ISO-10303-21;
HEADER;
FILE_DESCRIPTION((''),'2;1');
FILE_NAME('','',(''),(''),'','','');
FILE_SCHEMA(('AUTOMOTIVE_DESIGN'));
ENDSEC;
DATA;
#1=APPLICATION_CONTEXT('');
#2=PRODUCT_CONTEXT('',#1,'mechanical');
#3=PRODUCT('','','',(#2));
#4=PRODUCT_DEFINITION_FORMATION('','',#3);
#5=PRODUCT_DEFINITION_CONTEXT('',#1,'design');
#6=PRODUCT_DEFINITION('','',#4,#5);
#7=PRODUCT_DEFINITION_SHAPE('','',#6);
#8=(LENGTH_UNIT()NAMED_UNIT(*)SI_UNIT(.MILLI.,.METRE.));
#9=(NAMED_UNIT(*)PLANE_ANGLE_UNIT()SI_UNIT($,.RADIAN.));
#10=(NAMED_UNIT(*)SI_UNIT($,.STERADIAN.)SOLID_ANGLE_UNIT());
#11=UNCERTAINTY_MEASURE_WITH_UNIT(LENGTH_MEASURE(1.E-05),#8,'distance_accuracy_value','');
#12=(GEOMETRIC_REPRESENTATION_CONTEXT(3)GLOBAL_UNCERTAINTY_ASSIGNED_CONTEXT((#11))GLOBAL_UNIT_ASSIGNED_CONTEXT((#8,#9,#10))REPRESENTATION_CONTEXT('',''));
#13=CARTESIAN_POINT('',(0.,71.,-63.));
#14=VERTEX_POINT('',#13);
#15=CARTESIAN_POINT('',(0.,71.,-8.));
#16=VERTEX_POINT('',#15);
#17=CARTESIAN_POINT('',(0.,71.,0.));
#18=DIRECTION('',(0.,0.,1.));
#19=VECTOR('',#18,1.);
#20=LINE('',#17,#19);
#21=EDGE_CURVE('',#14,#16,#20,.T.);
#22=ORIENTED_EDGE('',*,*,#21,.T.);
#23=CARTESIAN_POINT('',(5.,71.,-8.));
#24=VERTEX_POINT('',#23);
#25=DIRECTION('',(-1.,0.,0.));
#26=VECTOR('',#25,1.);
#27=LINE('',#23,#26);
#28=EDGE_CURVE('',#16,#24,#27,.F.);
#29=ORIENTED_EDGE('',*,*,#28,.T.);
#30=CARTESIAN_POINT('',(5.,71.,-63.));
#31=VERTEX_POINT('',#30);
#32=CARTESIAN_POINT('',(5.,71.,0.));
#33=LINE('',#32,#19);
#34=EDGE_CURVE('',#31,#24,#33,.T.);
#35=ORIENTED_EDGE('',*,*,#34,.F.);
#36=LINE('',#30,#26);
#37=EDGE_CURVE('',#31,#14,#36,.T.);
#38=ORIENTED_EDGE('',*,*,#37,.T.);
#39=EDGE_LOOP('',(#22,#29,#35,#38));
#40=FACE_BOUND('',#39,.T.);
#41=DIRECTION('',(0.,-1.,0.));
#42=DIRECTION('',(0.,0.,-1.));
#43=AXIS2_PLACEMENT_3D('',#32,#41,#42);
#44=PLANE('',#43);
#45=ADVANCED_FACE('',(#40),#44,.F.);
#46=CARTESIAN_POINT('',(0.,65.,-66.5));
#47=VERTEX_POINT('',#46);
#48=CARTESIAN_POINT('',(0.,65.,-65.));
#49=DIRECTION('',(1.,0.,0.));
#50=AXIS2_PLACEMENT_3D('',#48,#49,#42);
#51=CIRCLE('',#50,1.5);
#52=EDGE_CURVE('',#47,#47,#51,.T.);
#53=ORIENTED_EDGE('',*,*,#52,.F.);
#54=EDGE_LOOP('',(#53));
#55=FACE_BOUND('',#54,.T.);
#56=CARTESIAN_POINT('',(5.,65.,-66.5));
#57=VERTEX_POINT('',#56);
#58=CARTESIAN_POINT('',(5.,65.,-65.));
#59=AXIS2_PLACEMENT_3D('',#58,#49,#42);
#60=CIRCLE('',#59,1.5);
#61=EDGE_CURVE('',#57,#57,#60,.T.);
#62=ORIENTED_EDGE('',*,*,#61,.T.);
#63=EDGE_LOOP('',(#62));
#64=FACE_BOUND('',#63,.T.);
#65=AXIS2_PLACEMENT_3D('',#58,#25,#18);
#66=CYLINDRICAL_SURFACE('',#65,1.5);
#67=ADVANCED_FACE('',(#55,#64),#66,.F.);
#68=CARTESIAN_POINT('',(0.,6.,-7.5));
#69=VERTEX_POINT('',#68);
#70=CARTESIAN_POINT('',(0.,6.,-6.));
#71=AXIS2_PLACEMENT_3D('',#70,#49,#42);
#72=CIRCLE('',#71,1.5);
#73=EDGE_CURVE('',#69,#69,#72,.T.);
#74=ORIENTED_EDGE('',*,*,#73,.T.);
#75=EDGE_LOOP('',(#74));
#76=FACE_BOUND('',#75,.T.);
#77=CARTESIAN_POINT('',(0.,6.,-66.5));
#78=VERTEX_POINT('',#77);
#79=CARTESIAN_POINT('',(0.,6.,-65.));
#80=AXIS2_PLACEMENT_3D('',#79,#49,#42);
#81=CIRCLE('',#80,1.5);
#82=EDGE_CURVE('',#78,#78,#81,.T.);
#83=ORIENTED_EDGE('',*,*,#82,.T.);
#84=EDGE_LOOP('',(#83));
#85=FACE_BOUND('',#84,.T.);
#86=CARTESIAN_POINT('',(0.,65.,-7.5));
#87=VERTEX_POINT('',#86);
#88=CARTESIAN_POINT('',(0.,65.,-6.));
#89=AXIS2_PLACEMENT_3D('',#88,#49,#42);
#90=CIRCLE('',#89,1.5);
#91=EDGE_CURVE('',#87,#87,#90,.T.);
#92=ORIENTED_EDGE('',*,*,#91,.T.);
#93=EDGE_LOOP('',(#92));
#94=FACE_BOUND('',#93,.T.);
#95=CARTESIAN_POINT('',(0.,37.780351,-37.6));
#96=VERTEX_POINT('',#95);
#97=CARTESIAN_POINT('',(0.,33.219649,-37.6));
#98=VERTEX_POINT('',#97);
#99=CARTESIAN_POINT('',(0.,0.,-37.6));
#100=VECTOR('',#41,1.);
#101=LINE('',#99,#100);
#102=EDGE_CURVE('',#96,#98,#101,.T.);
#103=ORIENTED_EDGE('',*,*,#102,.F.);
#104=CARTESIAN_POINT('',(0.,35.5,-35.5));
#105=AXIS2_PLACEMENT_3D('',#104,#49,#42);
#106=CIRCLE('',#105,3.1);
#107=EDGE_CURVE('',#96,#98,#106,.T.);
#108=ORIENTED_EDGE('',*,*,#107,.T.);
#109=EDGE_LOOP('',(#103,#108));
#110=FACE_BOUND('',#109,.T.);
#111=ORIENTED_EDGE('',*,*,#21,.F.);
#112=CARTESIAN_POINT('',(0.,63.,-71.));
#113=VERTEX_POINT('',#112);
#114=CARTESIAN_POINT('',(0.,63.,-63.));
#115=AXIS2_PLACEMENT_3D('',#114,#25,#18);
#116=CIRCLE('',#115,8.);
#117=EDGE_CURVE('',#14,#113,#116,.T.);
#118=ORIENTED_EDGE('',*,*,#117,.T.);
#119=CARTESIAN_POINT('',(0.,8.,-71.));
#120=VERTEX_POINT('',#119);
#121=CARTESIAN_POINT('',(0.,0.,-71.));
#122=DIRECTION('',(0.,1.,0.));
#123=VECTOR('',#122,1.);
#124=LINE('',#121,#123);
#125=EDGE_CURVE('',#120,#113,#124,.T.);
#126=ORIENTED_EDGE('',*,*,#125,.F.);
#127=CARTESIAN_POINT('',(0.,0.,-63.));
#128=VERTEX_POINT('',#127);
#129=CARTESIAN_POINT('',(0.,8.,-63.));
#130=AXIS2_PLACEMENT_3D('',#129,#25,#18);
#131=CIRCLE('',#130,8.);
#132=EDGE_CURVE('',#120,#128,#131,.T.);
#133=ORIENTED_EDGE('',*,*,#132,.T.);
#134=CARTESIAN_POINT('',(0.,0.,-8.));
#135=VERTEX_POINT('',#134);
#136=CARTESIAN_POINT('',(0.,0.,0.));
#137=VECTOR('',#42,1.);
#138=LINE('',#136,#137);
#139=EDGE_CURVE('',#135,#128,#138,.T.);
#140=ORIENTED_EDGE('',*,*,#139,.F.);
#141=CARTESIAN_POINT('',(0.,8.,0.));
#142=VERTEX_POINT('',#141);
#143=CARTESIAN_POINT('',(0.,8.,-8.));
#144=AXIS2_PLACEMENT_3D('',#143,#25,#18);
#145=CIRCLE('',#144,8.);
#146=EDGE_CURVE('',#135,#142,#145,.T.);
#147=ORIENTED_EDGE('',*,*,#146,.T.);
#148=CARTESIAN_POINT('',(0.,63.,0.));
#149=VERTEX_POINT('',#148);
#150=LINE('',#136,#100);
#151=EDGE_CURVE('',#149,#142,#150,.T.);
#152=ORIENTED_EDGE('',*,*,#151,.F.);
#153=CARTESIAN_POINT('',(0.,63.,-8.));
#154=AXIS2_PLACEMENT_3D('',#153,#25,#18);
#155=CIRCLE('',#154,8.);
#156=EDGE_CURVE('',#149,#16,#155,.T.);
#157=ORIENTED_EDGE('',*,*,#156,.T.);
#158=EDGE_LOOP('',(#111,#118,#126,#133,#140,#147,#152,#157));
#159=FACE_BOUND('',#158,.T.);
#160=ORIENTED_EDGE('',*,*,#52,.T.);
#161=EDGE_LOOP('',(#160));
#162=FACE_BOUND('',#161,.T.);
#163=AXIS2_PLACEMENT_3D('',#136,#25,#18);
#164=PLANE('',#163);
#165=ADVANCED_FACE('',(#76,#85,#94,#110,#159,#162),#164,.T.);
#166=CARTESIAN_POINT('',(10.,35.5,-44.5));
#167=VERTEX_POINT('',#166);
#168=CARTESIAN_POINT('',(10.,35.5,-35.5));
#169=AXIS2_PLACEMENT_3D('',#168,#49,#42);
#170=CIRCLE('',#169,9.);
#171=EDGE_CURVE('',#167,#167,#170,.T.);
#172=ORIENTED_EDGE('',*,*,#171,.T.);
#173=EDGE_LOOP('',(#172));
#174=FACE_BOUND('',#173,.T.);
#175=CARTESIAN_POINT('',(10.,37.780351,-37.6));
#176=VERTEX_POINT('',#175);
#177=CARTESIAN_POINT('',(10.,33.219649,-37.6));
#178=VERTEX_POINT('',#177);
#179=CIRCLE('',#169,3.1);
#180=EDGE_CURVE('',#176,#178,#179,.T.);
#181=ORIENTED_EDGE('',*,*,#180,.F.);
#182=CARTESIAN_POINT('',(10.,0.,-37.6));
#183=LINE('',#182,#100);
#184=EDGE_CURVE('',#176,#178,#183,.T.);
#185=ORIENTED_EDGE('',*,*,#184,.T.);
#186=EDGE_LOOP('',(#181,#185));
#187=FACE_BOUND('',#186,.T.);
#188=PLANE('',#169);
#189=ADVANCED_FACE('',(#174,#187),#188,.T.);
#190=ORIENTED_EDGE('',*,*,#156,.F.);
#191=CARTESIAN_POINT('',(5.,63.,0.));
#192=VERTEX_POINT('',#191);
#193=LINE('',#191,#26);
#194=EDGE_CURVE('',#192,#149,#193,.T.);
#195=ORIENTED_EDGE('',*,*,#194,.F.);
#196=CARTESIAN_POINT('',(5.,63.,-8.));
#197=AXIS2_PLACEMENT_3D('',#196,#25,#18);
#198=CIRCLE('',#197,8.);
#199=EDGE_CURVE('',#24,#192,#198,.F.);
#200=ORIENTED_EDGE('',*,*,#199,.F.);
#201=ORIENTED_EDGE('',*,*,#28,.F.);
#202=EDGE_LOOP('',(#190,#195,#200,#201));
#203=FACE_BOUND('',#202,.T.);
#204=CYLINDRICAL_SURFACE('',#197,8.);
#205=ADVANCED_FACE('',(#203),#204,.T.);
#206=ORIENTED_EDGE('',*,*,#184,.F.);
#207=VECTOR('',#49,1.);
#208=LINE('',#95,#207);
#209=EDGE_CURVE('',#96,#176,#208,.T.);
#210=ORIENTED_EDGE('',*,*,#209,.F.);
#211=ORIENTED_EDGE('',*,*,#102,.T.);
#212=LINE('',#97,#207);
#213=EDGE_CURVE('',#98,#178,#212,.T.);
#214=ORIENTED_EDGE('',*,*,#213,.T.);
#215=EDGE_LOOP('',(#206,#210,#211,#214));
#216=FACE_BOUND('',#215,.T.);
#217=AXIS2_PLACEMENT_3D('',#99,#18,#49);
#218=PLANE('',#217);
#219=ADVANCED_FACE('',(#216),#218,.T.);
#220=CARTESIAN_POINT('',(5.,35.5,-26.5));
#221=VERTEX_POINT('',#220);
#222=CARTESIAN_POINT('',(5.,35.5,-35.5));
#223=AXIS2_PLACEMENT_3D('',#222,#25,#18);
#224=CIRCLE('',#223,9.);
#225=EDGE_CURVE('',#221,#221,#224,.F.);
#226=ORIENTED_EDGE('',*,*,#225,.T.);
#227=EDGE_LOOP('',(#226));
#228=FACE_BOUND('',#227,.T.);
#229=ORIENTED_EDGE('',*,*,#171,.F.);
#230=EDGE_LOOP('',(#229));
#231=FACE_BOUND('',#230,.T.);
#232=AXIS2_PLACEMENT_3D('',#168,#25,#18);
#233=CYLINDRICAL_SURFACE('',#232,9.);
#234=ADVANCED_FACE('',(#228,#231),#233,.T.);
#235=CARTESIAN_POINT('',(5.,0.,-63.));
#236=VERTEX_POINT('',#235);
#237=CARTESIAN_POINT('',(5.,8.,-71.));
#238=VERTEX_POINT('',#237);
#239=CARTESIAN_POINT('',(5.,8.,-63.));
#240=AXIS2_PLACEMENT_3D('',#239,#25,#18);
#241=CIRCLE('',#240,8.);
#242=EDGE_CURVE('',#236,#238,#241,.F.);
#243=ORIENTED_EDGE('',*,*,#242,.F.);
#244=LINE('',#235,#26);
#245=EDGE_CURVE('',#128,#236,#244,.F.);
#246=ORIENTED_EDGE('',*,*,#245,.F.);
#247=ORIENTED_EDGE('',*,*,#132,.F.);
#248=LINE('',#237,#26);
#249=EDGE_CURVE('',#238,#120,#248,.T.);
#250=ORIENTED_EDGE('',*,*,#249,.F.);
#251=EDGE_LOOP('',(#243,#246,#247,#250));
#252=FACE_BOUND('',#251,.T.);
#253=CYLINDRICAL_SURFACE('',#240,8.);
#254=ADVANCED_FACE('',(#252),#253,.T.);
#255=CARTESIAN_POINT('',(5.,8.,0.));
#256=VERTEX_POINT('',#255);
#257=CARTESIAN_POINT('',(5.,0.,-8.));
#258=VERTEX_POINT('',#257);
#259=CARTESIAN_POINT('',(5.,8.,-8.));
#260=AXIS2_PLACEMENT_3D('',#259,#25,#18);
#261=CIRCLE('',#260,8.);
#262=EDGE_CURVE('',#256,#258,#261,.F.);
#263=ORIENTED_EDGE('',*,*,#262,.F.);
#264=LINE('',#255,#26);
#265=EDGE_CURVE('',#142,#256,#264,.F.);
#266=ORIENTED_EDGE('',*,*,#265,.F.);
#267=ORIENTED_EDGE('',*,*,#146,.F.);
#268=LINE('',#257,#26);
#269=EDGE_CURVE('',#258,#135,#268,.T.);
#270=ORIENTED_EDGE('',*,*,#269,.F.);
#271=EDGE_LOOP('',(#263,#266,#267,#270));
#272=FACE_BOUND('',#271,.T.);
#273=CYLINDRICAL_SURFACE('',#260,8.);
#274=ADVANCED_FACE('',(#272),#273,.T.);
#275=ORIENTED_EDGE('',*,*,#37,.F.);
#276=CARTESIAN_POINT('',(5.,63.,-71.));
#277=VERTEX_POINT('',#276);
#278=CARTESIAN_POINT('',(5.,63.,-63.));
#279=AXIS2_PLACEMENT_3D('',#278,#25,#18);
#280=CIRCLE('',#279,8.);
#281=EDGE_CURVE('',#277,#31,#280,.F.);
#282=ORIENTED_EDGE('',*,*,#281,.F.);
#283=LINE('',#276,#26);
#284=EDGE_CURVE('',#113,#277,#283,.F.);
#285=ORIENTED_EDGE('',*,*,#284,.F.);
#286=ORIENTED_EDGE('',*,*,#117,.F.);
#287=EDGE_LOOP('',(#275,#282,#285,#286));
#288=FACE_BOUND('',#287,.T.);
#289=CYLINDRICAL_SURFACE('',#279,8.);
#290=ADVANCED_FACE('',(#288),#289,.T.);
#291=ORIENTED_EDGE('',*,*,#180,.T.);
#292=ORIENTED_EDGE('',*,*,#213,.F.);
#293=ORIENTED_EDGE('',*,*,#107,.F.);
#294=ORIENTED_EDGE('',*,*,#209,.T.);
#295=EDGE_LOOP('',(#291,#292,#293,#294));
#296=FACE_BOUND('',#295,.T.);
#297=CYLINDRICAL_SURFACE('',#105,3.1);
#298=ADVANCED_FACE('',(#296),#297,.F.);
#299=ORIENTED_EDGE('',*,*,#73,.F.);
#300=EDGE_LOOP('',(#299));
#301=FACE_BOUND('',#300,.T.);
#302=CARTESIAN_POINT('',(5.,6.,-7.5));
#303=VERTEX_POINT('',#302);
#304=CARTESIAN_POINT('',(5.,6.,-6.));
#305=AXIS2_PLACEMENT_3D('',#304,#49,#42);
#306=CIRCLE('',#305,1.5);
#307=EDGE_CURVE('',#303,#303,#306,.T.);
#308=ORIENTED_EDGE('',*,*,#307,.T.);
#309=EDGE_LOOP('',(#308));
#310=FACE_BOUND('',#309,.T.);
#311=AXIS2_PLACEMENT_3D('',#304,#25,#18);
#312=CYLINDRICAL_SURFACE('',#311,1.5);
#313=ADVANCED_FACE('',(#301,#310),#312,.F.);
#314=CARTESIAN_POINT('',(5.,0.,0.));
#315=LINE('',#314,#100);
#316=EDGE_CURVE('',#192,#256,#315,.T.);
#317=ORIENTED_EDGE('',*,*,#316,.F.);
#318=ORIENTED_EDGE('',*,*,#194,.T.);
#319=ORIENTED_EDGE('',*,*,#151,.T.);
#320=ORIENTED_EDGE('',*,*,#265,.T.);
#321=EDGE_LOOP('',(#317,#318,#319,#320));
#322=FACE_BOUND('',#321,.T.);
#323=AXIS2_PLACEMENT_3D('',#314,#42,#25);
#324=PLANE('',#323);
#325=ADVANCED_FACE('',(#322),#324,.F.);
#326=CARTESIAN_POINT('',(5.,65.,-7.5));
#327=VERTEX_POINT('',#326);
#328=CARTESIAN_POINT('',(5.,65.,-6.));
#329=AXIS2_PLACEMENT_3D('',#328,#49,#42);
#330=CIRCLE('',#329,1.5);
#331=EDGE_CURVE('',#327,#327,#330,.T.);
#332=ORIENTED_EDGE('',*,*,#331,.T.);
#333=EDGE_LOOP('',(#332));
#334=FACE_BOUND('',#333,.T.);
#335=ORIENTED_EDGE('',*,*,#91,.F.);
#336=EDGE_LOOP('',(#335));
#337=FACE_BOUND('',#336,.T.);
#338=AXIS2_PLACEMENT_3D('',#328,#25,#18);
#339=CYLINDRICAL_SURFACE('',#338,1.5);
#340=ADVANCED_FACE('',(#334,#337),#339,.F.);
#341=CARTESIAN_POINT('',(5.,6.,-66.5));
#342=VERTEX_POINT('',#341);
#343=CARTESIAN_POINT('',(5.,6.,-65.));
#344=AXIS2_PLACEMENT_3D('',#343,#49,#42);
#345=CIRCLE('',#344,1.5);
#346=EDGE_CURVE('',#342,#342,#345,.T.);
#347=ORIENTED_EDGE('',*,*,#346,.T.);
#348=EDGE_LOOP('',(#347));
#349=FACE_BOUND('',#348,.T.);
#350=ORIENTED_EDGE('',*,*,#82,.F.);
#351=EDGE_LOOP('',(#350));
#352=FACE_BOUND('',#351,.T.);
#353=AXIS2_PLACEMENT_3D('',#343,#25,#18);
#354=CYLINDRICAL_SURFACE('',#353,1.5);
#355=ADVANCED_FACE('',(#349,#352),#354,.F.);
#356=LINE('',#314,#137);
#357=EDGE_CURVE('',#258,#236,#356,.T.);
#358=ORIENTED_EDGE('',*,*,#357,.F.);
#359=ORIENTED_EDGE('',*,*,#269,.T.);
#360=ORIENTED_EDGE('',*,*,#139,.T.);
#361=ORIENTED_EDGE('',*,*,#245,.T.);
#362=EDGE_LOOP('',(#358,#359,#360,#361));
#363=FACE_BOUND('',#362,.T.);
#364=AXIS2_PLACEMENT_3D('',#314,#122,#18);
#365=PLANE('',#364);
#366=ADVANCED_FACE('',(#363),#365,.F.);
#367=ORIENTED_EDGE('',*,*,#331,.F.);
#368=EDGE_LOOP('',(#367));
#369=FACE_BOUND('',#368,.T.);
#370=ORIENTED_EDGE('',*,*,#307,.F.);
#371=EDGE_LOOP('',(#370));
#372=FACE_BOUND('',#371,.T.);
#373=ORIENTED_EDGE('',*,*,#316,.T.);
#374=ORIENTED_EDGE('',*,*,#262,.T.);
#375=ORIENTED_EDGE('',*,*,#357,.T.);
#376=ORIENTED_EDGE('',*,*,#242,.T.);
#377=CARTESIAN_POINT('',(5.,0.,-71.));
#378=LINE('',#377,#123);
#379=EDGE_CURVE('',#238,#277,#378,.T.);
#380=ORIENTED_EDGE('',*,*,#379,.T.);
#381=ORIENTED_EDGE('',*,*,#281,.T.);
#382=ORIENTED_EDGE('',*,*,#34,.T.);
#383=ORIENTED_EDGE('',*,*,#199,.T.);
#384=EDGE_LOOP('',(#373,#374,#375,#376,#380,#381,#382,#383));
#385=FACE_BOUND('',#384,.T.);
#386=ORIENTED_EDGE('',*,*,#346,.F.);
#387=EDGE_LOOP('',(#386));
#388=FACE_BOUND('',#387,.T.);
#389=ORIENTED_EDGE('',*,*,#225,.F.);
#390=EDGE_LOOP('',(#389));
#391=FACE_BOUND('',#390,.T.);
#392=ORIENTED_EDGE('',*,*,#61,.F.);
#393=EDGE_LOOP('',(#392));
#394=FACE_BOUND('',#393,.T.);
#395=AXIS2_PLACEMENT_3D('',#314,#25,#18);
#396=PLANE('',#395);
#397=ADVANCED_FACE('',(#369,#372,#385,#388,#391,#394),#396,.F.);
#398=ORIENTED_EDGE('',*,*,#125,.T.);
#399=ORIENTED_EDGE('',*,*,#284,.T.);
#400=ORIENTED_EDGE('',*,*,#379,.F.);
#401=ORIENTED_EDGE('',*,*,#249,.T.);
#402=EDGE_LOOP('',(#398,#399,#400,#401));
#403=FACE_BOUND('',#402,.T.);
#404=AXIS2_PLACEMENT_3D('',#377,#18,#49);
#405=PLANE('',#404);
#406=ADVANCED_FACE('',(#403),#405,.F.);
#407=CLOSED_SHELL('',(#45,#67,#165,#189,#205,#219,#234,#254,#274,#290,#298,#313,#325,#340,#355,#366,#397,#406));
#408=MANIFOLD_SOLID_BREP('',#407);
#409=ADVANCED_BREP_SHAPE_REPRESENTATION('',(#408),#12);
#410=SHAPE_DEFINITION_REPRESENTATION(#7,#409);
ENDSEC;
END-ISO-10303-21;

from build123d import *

# Parameters (mm, degrees)
SKETCH1_W           = 71
SKETCH1_H           = 71
SKETCH1_R           = 1.5
BOSS_EXTRUDE1_DEPTH = 5
FILLET1_R           = 8
SKETCH2_R           = 9
BOSS_EXTRUDE2_DEPTH = 5
CUT_EXTRUDE1_DEPTH  = 11


with BuildPart() as part:
    # Sketch1 → Boss-Extrude1 (new body)
    with BuildSketch(Plane(origin=(0, 0, 0), x_dir=(0, 0, -1), z_dir=(1, 0, 0))):
        with Locations((35.5, 35.5)):
            Rectangle(SKETCH1_W, SKETCH1_H)
        with Locations((6, 6)):
            Circle(SKETCH1_R, mode=Mode.SUBTRACT)
        with Locations((6, 65)):
            Circle(SKETCH1_R, mode=Mode.SUBTRACT)
        with Locations((65, 65)):
            Circle(SKETCH1_R, mode=Mode.SUBTRACT)
        with Locations((65, 6)):
            Circle(SKETCH1_R, mode=Mode.SUBTRACT)
    extrude(amount=BOSS_EXTRUDE1_DEPTH)

    # Fillet1
    fillet1_edges = [part.edges().sort_by_distance(p)[0] for p in [
        (2.5, 71, 0),
        (2.5, 71, -71),
        (2.5, 0, -71),
        (2.5, 0, 0),
    ]]
    fillet(fillet1_edges, radius=FILLET1_R)

    # Sketch2 → Boss-Extrude2 (add)
    with BuildSketch(Plane(origin=(5, 0, 0), x_dir=(0, 0, -1), z_dir=(1, 0, 0))):
        with Locations((35.5, 35.5)):
            Circle(SKETCH2_R)
    extrude(amount=BOSS_EXTRUDE2_DEPTH)

    # Sketch3 → Cut-Extrude1 (cut, through all)
    with BuildSketch(Plane(origin=(10, 0, 0), x_dir=(0, 0, -1), z_dir=(1, 0, 0))):
        with BuildLine():
            Line((37.6, 33.21964915), (37.6, 37.78035085))
            ThreePointArc((37.6, 37.78035085), (32.4, 35.5), (37.6, 33.21964915))
        make_face()
    extrude(amount=-CUT_EXTRUDE1_DEPTH, mode=Mode.SUBTRACT)


solid = part.part
